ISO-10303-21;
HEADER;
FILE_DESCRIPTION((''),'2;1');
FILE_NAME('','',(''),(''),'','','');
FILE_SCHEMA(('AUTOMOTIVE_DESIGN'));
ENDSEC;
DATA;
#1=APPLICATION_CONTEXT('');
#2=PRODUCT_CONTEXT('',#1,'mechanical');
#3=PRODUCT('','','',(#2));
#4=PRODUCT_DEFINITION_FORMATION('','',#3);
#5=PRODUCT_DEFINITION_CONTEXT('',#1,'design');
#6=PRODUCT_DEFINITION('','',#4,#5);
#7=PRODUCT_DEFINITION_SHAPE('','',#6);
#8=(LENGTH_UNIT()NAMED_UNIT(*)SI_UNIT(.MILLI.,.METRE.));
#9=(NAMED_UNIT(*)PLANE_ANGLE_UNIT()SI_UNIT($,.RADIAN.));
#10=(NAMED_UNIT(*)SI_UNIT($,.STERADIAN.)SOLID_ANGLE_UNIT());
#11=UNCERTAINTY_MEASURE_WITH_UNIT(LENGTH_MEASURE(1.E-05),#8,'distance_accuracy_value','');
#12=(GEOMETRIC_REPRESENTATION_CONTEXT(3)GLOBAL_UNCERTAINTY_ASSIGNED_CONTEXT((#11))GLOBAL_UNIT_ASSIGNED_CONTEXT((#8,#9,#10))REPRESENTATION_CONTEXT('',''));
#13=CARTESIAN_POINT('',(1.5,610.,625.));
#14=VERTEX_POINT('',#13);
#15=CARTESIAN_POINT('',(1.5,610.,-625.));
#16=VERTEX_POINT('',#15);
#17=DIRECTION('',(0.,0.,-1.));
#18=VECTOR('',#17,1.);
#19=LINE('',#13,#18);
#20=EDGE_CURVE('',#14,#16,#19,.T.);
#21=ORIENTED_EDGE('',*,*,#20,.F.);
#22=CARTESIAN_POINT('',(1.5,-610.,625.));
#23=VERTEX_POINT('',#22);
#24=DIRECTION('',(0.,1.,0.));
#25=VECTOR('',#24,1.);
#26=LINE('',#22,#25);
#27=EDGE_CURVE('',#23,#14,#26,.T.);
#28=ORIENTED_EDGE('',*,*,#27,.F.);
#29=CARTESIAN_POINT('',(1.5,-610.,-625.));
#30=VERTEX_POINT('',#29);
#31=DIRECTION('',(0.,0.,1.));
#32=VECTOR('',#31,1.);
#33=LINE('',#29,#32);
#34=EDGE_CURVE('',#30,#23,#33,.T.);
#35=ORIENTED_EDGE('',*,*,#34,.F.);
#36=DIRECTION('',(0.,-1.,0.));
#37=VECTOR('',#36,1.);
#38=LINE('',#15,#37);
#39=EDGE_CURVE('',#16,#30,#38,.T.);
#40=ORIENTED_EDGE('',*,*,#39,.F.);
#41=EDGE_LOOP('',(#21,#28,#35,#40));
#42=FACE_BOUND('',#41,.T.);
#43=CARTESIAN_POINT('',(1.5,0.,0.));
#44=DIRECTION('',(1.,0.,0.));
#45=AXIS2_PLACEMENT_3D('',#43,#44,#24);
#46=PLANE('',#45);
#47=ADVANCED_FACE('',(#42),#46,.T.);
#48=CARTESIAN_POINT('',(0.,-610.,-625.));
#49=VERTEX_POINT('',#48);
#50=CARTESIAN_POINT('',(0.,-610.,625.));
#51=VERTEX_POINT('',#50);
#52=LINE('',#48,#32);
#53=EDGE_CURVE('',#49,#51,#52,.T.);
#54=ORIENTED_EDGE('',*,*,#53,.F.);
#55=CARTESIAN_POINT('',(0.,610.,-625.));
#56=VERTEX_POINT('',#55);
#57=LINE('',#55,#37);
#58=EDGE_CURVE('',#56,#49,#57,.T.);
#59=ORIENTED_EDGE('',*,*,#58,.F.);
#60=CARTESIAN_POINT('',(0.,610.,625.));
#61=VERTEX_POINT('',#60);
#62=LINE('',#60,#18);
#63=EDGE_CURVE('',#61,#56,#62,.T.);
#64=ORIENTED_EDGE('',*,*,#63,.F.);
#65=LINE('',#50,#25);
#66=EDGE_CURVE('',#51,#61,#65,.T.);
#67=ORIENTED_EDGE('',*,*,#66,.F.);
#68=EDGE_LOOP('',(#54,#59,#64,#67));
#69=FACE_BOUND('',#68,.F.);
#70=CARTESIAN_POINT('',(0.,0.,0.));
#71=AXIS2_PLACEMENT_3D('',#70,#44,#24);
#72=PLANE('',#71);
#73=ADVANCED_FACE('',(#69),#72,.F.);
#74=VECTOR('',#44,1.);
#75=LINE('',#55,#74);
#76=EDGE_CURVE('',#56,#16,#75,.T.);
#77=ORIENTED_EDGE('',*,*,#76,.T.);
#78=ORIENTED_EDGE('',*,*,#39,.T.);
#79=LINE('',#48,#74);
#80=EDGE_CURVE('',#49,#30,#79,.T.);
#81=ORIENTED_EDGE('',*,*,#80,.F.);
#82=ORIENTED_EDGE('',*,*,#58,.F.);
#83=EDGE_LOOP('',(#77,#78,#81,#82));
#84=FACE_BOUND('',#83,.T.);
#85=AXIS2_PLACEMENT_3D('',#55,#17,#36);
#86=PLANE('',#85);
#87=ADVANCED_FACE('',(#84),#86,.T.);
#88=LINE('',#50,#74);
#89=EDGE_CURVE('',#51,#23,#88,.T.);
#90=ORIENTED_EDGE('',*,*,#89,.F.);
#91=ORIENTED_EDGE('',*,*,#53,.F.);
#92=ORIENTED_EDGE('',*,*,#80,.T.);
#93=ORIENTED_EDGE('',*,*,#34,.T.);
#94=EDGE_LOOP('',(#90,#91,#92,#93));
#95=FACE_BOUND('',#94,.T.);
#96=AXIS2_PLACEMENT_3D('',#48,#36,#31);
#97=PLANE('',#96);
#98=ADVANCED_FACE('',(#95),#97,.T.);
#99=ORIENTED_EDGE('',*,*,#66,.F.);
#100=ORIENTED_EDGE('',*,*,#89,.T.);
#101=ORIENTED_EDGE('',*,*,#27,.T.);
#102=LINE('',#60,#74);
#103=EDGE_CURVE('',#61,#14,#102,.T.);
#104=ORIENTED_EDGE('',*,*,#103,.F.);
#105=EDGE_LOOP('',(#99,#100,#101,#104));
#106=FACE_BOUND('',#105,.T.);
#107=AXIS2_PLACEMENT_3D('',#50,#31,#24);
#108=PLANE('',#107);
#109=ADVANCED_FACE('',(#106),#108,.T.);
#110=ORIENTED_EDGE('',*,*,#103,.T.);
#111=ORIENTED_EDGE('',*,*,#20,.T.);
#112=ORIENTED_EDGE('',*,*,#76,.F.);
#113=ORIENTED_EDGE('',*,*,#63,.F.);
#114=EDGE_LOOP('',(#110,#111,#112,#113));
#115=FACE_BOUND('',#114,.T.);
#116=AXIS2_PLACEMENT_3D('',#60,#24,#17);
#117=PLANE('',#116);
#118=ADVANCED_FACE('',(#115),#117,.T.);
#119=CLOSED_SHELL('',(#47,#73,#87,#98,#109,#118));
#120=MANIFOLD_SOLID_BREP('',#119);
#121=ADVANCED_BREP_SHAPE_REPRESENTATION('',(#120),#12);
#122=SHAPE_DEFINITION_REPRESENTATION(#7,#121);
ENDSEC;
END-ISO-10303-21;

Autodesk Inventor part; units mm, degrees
ref_plane "YZ Plane" through (0, 0, 0) normal (1, 0, 0) x (0, 1, 0)
ref_plane "XZ Plane" through (0, 0, 0) normal (0, 1, 0) x (-1, 0, 0)
ref_plane "XY Plane" through (0, 0, 0) normal (0, 0, 1) x (1, 0, 0)
sketch "Sketch1" plane through (0, 0, 0) normal (1, 0, 0) x (0, 1, 0)
  line L0 (-610, 625) -> (610, 625)
  line L1 (610, 625) -> (610, -625)
  line L2 (610, -625) -> (-610, -625)
  line L3 (-610, -625) -> (-610, 625)
  line L4 (-610, 625) -> (610, -625) construction
  line L5 (610, 625) -> (-610, -625) construction
  point P0 (0, 0)
  dimension "d0" = 1220
  dimension "d1" = 1250
extrude "Extrusion1" add sketch "Sketch1" along normal blind 1.5
properties part number "PLANCHA_COMPLETA" material "Steel, Mild, Welded"
